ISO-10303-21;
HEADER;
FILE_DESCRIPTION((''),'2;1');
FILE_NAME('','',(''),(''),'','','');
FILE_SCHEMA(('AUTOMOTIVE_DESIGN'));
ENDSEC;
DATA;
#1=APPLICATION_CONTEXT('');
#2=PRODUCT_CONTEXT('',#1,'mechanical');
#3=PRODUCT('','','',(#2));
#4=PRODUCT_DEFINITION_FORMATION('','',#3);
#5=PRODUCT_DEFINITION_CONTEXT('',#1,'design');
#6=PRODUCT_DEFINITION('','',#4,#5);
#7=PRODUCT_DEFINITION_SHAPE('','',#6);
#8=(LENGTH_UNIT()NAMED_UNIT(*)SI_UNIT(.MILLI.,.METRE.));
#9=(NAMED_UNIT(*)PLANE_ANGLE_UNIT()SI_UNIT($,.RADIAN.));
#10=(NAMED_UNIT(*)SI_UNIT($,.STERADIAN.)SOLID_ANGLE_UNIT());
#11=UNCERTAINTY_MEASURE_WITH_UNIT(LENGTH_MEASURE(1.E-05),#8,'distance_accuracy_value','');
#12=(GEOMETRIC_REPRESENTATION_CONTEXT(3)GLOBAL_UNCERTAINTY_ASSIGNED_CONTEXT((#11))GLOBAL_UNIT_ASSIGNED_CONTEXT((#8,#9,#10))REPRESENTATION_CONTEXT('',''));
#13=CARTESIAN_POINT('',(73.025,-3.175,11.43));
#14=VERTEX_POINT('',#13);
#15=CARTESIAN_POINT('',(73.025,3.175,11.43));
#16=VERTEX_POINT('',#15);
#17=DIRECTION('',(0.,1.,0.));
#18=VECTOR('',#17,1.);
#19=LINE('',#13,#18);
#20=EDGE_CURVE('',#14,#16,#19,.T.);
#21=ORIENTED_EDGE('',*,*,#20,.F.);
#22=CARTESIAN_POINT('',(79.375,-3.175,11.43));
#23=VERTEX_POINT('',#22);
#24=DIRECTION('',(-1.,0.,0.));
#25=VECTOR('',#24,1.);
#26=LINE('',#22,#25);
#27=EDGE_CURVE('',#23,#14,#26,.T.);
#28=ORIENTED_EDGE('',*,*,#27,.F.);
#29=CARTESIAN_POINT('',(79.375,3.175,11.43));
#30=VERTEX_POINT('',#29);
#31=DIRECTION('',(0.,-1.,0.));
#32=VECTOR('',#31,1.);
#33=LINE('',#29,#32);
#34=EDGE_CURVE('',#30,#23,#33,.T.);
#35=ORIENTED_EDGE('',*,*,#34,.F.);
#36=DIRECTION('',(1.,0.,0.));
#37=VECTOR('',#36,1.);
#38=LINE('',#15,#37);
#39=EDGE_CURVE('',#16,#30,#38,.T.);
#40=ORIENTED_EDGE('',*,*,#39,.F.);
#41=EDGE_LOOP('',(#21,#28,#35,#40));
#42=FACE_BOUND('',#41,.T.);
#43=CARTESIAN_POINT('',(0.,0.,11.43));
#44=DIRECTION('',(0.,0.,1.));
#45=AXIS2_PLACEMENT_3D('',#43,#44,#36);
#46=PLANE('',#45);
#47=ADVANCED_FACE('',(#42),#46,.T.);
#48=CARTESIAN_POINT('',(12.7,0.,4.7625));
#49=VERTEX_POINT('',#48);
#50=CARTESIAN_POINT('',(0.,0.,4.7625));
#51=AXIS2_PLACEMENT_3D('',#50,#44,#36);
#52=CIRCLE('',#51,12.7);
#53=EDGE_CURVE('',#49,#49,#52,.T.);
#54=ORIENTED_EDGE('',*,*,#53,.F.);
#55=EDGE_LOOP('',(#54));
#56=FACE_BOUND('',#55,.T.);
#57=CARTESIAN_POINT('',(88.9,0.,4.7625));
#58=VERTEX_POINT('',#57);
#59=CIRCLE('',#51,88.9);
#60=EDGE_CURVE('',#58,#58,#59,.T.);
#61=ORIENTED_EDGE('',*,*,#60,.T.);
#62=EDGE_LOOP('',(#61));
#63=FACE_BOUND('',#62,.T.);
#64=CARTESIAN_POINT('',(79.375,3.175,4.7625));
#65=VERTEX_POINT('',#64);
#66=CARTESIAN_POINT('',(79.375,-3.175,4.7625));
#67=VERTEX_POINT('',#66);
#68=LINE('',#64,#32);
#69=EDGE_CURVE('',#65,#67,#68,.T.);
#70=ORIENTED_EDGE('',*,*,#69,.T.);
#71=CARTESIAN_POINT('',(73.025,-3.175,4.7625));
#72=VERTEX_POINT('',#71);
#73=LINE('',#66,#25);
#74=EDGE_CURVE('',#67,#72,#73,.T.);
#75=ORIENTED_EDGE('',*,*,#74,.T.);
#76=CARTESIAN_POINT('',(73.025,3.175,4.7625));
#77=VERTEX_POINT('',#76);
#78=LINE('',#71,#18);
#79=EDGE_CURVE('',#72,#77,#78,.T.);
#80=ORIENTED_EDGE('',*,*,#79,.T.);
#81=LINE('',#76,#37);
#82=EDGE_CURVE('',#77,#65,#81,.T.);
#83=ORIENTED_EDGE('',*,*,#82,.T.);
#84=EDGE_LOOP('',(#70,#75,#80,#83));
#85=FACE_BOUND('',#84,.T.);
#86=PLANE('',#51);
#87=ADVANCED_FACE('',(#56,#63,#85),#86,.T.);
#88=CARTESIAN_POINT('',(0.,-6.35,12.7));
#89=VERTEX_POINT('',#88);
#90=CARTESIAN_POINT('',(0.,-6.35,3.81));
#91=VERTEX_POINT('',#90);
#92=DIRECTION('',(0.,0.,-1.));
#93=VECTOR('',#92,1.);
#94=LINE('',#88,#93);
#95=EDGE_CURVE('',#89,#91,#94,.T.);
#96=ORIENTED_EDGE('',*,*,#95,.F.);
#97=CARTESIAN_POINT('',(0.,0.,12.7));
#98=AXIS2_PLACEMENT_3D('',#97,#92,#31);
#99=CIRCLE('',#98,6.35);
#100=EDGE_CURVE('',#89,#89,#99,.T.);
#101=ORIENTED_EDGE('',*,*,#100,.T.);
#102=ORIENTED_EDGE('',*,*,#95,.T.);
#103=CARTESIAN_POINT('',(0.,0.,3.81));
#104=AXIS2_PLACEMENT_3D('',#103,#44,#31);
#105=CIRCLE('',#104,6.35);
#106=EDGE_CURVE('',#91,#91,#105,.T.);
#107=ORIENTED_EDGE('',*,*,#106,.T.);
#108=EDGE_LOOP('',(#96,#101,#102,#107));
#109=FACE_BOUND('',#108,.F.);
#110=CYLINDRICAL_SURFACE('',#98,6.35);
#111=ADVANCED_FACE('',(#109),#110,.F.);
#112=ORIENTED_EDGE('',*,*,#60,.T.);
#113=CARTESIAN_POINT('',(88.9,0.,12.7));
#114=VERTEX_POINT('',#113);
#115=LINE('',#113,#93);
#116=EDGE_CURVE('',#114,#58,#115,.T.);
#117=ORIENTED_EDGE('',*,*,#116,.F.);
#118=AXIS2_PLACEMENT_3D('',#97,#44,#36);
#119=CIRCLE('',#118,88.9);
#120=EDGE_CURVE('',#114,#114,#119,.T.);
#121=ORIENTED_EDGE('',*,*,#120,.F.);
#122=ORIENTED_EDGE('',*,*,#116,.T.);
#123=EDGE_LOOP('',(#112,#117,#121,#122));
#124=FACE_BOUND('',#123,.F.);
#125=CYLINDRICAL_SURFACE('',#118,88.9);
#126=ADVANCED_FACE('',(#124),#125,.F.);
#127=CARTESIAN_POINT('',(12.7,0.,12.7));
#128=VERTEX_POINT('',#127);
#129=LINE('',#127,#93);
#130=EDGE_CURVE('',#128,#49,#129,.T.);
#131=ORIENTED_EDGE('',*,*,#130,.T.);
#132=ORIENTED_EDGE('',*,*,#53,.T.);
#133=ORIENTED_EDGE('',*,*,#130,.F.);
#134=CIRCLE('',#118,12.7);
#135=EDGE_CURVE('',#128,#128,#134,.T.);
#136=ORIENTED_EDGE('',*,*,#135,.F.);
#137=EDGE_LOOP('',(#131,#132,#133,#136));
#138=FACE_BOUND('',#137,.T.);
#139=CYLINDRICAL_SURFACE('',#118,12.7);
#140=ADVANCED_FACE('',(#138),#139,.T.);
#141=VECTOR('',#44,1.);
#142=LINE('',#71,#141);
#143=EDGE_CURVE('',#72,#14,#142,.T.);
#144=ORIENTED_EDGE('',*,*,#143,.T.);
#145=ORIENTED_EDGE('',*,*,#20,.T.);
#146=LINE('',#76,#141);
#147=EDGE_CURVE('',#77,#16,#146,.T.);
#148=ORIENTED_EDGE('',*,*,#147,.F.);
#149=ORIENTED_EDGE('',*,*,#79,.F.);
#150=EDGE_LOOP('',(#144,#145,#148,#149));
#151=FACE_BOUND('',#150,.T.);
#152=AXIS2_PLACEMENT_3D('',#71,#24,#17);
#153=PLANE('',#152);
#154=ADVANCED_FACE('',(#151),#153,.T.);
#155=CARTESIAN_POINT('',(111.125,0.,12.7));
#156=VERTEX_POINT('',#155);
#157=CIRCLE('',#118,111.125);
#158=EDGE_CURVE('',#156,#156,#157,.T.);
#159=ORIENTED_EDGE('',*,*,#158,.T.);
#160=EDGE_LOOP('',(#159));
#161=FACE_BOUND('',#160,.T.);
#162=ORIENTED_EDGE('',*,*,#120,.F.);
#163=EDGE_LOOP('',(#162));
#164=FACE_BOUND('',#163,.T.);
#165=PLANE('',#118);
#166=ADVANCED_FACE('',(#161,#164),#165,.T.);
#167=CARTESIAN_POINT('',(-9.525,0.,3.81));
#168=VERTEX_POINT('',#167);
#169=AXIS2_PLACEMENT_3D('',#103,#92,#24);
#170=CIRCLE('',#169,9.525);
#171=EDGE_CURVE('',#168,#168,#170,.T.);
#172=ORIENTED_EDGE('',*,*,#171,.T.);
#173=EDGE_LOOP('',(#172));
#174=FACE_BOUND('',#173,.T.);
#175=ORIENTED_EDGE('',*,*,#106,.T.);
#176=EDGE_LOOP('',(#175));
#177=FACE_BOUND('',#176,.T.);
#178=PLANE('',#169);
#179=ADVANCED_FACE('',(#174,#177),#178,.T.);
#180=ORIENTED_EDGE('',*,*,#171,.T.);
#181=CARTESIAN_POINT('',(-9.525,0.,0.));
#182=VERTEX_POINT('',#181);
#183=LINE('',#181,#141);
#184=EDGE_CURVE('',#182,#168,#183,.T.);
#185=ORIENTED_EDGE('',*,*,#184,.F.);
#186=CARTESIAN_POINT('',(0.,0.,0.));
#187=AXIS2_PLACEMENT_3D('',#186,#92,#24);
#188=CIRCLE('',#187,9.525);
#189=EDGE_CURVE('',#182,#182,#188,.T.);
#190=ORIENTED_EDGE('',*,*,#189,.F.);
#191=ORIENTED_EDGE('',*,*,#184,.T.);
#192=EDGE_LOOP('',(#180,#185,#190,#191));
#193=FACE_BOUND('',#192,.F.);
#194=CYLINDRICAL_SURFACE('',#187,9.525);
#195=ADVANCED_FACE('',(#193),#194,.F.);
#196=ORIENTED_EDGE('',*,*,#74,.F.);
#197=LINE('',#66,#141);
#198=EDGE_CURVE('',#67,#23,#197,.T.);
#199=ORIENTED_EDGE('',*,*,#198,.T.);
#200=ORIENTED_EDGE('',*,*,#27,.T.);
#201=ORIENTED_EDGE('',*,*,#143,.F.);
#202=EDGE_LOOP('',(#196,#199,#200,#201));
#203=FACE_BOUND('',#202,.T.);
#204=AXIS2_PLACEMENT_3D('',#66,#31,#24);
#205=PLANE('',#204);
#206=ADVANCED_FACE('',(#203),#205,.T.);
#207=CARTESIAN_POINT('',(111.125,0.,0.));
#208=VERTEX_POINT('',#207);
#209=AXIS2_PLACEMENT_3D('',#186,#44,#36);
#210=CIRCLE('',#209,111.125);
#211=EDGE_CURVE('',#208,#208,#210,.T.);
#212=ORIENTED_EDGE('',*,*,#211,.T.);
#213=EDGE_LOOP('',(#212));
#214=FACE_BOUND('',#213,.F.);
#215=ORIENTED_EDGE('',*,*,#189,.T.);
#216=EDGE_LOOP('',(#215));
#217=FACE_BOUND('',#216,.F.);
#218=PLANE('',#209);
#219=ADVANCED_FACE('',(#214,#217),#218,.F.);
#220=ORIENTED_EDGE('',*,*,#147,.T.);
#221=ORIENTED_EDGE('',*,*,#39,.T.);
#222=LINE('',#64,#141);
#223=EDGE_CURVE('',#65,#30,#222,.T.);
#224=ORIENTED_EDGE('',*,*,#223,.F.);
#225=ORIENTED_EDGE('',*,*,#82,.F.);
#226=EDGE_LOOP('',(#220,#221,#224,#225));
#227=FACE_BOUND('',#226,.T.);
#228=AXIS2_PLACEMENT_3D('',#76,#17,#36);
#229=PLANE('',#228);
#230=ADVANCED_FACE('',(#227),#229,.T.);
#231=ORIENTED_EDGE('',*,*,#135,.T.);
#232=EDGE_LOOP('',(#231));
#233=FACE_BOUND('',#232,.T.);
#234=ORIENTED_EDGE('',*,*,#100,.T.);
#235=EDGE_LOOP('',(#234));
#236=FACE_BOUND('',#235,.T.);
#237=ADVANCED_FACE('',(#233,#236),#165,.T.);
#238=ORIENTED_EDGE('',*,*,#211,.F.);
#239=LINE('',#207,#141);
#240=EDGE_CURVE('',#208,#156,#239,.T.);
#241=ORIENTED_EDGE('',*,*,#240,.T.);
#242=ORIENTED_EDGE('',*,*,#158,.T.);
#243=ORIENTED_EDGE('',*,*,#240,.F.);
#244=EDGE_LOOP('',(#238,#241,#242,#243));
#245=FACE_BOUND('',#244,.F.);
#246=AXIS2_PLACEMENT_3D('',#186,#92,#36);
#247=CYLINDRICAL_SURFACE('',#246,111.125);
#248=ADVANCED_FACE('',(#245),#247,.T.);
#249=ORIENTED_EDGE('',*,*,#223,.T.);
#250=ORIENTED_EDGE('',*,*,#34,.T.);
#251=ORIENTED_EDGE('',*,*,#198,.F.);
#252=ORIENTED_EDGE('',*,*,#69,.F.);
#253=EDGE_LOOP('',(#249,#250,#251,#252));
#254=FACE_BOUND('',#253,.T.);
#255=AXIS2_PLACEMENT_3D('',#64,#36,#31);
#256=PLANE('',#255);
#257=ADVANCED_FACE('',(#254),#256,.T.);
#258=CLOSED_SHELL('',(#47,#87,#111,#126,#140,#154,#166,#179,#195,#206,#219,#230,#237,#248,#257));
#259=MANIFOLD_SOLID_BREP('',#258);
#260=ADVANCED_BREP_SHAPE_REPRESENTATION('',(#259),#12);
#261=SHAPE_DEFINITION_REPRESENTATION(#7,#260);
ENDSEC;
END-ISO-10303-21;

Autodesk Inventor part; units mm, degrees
ref_plane "YZ Plane" through (0, 0, 0) normal (1, 0, 0) x (0, 1, 0)
ref_plane "XZ Plane" through (0, 0, 0) normal (0, 1, 0) x (-1, 0, 0)
ref_plane "XY Plane" through (0, 0, 0) normal (0, 0, 1) x (1, 0, 0)
sketch "Sketch1" plane through (0, 0, 0) normal (0, 0, 1) x (1, 0, 0)
  circle A0 centre (0, 0) radius 111.125
  dimension "d0" = 222.25
extrude "Extrusion1" add sketch "Sketch1" along normal blind 12.7
sketch "Sketch2" plane through (0, 0, 12.7) normal (0, 0, 1) x (1, 0, 0)
  circle A0 centre (0, 0) radius 111.125 projected
  circle A1 centre (0, 0) radius 88.9
  circle A2 centre (0, 0) radius 12.7
  dimension "d3" = 177.8
  dimension "d4" = 25.4
extrude "Extrusion2" cut sketch "Sketch2" against normal blind 7.9375 contours A1
sketch "Sketch3" plane through (0, 0, 12.7) normal (0, 0, 1) x (1, 0, 0)
  circle A0 centre (0, 0) radius 12.7 projected
hole "Hole1" at (0, 0, 12.7) direction (0, 0, -1) diameter 12.7 end through all
sketch "Sketch4" plane through (0, 0, 4.7625) normal (0, 0, 1) x (1, 0, 0)
  circle A0 centre (0, 0) radius 12.7 projected
  line L0 (73.025, 3.175) -> (79.375, 3.175)
  line L1 (79.375, 3.175) -> (79.375, -3.175)
  line L2 (79.375, -3.175) -> (73.025, -3.175)
  line L3 (73.025, -3.175) -> (73.025, 3.175)
  circle A1 centre (76.2, 0) radius 3.175 construction
  circle A2 centre (0, 0) radius 6.35 projected
  dimension "d14" = 76.2
  dimension "d15" = 6.35
extrude "Extrusion3" add sketch "Sketch4" along normal blind 6.6675 contours L0 L1 L2 L3
sketch "Sketch5" plane through (0, 0, 0) normal (0, 0, -1) x (-1, 0, 0)
  circle A0 centre (0, 0) radius 6.35 projected
  circle A1 centre (0, 0) radius 111.125 projected
  circle A2 centre (0, 0) radius 9.525
  dimension "d18" = 19.05
extrude "Extrusion4" cut sketch "Sketch5" against normal blind 3.81 contours A2
properties part number "base"
